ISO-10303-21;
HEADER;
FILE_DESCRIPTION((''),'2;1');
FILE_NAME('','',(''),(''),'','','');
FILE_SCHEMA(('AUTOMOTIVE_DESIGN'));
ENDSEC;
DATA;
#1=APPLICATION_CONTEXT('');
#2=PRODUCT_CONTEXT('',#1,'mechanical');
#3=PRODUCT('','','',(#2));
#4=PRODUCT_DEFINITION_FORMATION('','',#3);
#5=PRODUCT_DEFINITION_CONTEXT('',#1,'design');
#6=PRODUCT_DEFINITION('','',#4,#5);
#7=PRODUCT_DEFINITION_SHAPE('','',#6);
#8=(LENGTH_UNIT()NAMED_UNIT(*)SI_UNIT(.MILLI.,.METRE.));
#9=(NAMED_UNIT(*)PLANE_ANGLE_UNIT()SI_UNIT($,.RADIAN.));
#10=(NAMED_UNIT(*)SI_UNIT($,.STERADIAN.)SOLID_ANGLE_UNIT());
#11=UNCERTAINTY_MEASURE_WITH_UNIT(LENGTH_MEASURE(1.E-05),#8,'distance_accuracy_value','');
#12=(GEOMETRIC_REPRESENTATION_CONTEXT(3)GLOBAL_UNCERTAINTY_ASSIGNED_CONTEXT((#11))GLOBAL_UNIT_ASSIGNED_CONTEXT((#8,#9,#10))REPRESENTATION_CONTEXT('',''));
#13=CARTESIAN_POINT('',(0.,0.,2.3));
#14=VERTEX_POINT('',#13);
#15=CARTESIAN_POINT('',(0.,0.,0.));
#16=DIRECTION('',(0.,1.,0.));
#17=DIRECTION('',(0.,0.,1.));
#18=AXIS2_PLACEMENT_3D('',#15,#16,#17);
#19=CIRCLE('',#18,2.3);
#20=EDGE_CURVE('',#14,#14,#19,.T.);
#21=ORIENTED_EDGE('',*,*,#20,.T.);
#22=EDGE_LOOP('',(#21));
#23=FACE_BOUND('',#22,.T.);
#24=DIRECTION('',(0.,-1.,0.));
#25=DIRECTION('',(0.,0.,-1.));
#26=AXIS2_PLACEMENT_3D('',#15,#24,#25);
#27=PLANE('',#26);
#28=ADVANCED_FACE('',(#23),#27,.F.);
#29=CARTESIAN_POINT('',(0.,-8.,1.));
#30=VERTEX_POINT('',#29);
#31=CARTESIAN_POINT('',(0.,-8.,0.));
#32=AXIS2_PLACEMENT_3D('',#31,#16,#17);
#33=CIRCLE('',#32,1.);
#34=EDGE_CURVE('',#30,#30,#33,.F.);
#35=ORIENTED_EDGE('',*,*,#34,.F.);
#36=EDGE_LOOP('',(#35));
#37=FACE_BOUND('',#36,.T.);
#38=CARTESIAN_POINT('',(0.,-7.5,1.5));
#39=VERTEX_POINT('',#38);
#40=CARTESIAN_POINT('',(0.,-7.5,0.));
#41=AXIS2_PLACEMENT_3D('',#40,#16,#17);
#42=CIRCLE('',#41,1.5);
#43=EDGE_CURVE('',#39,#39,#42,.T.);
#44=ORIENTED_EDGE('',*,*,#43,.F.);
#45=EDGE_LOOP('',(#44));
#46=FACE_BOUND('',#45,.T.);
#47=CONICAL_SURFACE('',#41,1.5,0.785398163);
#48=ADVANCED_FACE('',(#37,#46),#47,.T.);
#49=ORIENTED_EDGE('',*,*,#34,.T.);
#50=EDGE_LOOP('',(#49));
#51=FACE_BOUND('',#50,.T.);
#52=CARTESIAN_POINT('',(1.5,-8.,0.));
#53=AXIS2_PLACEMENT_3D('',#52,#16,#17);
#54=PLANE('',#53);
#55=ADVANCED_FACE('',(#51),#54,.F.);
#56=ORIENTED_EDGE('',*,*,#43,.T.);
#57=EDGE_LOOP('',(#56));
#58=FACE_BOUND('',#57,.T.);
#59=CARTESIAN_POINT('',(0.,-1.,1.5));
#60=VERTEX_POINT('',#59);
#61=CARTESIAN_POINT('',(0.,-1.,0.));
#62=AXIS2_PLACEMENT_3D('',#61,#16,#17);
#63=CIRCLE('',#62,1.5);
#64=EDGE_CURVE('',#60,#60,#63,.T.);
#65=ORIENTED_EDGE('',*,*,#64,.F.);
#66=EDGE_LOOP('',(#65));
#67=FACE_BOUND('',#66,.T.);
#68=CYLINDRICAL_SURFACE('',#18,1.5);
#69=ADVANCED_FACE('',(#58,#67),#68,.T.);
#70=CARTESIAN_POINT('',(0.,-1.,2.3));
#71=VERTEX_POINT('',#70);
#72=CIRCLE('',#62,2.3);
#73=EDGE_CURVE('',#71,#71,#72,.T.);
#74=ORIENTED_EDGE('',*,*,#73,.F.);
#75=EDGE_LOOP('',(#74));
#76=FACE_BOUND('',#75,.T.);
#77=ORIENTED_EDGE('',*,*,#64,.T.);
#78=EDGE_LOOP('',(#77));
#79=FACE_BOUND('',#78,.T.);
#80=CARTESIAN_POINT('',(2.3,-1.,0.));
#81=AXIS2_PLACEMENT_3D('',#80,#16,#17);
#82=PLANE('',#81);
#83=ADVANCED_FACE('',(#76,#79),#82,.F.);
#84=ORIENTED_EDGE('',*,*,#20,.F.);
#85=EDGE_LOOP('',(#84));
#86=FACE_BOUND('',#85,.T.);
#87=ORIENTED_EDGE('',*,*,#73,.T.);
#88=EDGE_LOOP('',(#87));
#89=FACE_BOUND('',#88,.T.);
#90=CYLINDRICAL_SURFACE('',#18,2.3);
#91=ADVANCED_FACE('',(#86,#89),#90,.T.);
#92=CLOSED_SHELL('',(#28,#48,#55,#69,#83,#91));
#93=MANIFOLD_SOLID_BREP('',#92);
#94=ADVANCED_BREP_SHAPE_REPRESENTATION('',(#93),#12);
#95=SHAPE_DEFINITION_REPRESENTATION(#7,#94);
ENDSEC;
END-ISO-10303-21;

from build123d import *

# Parameters (mm, degrees)
CHAFL_N1_SIZE = 0.5


with BuildPart() as part:
    # Croquis1 → Revolución1 (revolve)
    with BuildSketch(Plane.XY):
        Polygon((0, 0), (2.3, 0), (2.3, -1), (1.5, -1), (1.5, -8), (0, -8), align=None)
    revolve(axis=Axis((0, 0, 0), (0, -1, 0)))

    # Chaflán1
    chafl_n1_edges = [part.edges().sort_by_distance(p)[0] for p in [
        (-1.5, -8, 0),
    ]]
    chamfer(chafl_n1_edges, length=CHAFL_N1_SIZE)


solid = part.part
